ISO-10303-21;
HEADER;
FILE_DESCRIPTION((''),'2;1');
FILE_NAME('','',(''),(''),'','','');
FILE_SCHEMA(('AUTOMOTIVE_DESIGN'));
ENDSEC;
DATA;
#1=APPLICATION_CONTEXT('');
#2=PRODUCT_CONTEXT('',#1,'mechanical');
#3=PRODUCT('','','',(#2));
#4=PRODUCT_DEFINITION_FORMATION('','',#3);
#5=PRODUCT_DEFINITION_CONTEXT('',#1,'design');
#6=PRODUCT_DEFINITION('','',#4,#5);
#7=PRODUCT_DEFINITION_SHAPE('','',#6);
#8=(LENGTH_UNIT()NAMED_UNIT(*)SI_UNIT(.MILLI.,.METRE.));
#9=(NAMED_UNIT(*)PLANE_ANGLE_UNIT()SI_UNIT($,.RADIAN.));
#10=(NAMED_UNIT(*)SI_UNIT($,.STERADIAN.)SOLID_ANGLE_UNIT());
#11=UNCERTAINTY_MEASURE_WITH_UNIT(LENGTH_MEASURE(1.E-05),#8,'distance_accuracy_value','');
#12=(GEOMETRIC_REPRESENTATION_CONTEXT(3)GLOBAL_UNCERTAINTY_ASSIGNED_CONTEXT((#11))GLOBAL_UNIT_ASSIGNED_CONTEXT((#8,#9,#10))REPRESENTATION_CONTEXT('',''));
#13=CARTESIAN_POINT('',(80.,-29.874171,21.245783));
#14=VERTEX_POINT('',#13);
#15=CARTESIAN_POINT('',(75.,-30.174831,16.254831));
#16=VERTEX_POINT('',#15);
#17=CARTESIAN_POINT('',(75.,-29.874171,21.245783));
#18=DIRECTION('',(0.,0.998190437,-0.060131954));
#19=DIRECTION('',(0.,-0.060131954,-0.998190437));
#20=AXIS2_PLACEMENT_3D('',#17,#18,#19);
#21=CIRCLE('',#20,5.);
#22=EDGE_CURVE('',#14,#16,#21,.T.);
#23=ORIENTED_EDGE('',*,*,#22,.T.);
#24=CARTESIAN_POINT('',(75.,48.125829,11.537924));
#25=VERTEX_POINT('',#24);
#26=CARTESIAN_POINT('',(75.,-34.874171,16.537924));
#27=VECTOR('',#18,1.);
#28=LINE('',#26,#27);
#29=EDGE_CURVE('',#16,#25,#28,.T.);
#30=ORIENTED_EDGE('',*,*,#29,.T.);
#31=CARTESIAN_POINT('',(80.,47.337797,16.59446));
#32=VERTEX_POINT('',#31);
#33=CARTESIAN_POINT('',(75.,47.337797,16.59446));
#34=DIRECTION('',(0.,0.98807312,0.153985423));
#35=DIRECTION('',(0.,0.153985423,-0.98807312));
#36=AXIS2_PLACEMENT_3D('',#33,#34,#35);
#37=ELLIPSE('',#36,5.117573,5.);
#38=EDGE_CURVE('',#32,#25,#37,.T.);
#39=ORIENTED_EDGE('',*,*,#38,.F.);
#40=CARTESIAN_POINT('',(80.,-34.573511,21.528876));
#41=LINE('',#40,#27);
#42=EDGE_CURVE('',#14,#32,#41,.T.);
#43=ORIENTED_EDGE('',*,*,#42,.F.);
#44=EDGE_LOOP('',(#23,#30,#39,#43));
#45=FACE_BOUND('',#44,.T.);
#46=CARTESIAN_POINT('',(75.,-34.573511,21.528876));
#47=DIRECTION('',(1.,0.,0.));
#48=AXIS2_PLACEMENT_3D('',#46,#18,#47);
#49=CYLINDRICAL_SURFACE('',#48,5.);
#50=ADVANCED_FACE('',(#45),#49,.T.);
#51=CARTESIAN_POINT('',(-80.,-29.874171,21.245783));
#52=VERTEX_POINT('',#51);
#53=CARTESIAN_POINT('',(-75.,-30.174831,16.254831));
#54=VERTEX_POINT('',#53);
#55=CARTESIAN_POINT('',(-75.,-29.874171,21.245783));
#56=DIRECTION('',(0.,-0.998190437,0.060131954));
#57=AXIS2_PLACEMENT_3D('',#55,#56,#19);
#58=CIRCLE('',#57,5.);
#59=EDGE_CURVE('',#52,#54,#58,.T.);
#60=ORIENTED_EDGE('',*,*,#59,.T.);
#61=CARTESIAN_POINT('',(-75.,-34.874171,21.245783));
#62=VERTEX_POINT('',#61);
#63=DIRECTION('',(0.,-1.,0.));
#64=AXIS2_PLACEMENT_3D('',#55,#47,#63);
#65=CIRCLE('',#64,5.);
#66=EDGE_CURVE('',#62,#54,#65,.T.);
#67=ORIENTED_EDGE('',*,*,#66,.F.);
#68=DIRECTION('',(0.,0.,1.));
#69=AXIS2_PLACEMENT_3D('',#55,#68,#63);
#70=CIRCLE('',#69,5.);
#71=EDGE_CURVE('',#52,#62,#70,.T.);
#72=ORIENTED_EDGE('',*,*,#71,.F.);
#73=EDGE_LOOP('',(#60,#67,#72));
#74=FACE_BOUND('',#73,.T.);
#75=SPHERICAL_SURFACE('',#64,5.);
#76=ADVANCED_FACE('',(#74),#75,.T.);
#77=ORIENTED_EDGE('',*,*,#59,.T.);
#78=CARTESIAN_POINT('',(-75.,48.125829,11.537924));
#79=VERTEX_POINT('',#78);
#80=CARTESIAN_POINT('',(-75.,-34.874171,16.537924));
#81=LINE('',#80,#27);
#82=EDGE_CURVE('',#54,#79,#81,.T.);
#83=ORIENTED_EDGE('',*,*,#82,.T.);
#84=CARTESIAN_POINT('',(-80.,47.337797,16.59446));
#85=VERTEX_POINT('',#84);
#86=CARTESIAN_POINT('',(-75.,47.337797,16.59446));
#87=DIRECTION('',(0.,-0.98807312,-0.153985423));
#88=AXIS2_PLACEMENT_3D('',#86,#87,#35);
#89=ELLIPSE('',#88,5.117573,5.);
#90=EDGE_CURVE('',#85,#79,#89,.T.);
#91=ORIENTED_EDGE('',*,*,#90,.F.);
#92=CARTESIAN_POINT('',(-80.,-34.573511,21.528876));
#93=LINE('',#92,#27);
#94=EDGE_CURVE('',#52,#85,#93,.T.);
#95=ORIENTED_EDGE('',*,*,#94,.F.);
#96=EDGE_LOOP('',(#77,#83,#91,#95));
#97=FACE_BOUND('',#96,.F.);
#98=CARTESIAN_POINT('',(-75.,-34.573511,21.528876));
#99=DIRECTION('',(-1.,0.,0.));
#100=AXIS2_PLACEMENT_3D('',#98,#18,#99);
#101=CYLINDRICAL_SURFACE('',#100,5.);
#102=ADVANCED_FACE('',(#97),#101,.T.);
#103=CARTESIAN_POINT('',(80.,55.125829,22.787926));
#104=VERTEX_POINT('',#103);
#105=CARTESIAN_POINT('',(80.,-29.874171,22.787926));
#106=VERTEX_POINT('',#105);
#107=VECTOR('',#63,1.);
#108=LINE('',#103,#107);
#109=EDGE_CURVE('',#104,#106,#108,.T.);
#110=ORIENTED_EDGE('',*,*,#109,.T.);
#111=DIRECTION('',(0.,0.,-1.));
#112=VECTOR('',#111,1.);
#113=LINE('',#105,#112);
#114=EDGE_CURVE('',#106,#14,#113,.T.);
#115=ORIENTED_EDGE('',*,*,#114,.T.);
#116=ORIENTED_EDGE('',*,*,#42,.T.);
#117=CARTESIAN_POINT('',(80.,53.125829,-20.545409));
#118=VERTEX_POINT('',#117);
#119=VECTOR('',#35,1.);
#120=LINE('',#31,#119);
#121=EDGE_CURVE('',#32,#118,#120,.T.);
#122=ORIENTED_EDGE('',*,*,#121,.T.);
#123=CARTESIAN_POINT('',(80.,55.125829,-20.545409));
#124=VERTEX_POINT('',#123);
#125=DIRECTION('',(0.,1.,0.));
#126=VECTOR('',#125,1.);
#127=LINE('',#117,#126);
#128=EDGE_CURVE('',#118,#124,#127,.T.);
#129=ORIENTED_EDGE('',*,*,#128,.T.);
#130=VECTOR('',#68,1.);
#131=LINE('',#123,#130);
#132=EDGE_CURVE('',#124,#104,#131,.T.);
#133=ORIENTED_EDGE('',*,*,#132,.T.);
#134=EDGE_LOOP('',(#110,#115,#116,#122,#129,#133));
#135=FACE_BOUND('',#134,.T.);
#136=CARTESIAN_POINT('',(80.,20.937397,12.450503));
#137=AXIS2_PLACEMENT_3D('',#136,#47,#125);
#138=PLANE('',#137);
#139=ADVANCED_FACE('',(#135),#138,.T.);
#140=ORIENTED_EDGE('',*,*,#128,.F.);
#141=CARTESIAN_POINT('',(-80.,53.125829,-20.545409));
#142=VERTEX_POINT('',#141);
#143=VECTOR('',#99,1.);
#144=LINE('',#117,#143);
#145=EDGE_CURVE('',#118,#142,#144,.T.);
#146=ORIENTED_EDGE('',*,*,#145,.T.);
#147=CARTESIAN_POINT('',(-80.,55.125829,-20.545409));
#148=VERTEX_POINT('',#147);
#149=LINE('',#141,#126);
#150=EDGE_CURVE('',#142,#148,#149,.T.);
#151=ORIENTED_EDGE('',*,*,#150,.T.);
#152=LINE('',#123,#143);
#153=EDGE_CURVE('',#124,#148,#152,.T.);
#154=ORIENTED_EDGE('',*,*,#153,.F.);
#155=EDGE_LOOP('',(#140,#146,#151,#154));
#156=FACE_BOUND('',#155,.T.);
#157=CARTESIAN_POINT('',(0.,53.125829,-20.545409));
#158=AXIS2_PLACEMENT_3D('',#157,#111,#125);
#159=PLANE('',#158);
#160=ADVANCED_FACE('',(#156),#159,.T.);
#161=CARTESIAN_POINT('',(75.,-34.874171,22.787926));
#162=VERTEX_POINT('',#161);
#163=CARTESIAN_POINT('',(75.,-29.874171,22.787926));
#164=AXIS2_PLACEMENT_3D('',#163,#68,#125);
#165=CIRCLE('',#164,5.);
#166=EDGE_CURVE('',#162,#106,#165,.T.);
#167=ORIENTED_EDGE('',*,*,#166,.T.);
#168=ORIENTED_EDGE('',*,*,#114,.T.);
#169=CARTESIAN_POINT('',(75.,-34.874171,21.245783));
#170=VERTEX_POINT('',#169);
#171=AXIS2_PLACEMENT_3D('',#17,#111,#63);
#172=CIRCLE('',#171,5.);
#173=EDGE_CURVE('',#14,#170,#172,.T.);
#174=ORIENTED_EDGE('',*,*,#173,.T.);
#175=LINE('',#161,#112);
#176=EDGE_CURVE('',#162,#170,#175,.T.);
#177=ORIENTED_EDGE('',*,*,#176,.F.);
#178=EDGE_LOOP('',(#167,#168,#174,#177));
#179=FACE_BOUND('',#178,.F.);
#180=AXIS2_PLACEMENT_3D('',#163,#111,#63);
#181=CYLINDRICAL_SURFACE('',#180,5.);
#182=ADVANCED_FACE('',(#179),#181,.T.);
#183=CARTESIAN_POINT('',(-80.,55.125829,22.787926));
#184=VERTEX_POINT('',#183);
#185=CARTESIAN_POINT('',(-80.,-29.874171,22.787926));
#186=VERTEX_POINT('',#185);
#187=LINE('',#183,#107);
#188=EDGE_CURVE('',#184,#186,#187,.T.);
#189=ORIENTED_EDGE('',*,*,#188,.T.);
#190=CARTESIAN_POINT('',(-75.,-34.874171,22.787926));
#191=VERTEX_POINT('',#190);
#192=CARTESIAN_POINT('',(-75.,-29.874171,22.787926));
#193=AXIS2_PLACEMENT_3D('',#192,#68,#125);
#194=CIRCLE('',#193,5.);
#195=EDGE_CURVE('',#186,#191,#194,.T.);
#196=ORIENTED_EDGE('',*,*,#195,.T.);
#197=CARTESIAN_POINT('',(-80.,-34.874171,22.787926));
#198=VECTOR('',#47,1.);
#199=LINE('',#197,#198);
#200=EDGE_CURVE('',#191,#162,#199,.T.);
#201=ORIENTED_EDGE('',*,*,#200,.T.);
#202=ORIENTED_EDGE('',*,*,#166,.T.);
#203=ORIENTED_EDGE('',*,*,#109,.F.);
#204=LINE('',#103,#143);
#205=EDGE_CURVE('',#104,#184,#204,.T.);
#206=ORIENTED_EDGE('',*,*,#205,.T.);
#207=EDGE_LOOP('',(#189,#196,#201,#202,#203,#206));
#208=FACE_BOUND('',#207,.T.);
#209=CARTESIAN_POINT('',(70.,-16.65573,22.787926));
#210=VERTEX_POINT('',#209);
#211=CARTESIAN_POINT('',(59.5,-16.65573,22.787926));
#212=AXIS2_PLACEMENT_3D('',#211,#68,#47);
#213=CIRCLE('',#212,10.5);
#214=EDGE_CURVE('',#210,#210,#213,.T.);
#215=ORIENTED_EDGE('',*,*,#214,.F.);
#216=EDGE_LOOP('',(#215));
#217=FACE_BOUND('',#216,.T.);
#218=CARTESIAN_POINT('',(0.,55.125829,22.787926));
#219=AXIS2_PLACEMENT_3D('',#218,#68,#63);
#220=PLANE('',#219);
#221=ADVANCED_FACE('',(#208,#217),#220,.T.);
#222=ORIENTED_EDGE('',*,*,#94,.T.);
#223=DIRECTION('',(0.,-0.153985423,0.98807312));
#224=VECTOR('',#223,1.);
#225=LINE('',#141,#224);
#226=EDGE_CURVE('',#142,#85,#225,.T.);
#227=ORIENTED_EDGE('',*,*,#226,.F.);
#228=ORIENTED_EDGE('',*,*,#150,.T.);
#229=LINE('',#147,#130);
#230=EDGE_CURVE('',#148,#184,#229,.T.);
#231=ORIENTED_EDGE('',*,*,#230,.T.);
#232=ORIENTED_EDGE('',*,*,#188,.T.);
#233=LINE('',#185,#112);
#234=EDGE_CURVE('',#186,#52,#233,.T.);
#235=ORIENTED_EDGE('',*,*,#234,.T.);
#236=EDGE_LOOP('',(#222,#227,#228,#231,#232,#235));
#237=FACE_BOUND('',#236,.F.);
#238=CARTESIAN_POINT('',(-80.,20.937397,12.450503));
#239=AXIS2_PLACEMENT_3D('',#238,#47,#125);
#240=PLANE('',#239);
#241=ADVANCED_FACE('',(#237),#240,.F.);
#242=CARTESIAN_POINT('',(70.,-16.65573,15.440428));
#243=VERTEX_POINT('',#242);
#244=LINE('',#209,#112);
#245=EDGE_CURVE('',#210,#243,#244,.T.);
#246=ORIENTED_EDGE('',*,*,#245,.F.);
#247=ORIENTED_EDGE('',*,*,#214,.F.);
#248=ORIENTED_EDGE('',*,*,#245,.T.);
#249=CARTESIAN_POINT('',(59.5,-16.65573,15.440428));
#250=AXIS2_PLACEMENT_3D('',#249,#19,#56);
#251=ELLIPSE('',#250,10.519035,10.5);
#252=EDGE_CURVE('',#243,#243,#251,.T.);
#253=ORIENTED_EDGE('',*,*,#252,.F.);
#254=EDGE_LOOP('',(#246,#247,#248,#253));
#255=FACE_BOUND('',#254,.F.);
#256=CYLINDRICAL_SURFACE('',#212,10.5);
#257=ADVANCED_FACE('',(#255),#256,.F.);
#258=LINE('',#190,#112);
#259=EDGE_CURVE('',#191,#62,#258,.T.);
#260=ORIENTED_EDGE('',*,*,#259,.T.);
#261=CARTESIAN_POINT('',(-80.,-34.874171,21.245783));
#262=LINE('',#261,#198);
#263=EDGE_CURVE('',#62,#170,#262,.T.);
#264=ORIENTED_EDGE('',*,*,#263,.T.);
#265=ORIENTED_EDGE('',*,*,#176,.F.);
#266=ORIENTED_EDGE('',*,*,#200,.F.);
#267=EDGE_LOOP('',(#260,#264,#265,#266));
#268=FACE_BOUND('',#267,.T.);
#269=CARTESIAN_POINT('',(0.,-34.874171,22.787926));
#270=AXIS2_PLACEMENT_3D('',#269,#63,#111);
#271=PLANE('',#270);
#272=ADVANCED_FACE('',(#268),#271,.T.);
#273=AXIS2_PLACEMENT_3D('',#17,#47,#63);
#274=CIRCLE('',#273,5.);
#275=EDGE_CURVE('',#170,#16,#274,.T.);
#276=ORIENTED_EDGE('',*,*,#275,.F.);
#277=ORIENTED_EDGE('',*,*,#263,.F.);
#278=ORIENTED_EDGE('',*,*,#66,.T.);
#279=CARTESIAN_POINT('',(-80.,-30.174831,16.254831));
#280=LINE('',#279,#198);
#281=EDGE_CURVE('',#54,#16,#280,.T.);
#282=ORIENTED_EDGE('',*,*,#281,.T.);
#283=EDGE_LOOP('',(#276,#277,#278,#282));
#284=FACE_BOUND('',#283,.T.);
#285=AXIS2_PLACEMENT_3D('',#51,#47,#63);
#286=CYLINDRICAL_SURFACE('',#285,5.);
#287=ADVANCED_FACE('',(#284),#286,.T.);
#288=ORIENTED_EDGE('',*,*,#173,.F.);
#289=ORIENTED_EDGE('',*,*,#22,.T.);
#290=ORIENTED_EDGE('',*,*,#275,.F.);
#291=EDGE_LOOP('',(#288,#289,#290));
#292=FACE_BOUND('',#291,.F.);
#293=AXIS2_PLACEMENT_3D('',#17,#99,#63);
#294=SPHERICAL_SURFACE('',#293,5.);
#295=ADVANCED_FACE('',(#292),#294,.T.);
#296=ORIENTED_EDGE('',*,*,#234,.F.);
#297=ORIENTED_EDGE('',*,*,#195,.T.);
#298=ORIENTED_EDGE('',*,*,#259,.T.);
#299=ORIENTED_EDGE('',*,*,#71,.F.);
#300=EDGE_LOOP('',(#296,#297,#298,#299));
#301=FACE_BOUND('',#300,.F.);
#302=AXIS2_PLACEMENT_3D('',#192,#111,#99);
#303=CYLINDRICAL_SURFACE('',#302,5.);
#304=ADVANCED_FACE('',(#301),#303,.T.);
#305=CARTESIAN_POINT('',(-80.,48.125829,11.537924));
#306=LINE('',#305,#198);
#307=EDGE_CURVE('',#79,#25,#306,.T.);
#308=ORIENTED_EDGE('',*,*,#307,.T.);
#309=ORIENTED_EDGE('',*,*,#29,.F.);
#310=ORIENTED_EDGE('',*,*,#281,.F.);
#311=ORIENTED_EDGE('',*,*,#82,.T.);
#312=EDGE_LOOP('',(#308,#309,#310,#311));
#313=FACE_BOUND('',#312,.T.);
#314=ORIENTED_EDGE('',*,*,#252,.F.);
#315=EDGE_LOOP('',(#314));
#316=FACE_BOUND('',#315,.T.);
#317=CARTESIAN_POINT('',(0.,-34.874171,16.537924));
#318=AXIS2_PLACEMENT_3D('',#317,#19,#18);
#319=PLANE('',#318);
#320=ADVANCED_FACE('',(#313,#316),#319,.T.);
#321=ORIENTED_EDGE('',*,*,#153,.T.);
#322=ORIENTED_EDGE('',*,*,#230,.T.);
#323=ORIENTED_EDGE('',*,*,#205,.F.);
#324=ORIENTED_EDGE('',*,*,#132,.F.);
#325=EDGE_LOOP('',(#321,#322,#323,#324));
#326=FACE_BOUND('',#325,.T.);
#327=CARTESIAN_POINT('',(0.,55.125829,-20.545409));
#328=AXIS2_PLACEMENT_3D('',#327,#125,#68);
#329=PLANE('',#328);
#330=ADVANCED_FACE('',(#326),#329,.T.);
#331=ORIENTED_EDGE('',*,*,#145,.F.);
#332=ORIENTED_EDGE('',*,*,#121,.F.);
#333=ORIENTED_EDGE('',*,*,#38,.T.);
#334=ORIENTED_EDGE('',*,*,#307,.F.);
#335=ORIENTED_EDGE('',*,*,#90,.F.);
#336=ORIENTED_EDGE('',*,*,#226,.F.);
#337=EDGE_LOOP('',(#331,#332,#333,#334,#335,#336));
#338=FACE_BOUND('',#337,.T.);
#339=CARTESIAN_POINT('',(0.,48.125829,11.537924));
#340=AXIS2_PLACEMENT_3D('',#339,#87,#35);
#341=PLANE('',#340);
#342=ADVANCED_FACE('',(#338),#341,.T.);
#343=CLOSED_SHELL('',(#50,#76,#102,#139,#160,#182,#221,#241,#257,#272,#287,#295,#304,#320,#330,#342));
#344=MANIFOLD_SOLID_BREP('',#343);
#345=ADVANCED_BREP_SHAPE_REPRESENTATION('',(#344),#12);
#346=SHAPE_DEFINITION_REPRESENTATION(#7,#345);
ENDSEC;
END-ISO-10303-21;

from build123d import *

# Parameters (mm, degrees)
F1_DEPTH = 80
F2_R     = 10.5
F3_DEPTH = 25
F4_R     = 5


with BuildPart() as f1:
    # F0 (on Right) → F1 (new body, symmetric)
    with BuildSketch(Plane.YZ):
        Polygon((55.125829, 22.787926), (-34.874171, 22.787926), (-34.874171, 16.537924), (48.125829, 11.537924), (53.125829, -20.545409), (55.125829, -20.545409), align=None)
    extrude(amount=F1_DEPTH, both=True)

    # F2 (on face) → F3 (cut)
    with BuildSketch(Plane.XY.offset(22.787926)):
        with Locations((59.5, -16.65573)):
            Circle(F2_R)
    extrude(amount=-F3_DEPTH, mode=Mode.SUBTRACT)

    # F4
    f4_edges = [f1.edges().sort_by_distance(p)[0] for p in [
        (80, -34.874171, 19.662925),
        (-80, -34.874171, 19.662925),
        (80, 6.625829, 14.037924),
        (-80, 6.625829, 14.037924),
        (0, -34.874171, 16.537924),
    ]]
    fillet(f4_edges, radius=F4_R)


solid = f1.part
